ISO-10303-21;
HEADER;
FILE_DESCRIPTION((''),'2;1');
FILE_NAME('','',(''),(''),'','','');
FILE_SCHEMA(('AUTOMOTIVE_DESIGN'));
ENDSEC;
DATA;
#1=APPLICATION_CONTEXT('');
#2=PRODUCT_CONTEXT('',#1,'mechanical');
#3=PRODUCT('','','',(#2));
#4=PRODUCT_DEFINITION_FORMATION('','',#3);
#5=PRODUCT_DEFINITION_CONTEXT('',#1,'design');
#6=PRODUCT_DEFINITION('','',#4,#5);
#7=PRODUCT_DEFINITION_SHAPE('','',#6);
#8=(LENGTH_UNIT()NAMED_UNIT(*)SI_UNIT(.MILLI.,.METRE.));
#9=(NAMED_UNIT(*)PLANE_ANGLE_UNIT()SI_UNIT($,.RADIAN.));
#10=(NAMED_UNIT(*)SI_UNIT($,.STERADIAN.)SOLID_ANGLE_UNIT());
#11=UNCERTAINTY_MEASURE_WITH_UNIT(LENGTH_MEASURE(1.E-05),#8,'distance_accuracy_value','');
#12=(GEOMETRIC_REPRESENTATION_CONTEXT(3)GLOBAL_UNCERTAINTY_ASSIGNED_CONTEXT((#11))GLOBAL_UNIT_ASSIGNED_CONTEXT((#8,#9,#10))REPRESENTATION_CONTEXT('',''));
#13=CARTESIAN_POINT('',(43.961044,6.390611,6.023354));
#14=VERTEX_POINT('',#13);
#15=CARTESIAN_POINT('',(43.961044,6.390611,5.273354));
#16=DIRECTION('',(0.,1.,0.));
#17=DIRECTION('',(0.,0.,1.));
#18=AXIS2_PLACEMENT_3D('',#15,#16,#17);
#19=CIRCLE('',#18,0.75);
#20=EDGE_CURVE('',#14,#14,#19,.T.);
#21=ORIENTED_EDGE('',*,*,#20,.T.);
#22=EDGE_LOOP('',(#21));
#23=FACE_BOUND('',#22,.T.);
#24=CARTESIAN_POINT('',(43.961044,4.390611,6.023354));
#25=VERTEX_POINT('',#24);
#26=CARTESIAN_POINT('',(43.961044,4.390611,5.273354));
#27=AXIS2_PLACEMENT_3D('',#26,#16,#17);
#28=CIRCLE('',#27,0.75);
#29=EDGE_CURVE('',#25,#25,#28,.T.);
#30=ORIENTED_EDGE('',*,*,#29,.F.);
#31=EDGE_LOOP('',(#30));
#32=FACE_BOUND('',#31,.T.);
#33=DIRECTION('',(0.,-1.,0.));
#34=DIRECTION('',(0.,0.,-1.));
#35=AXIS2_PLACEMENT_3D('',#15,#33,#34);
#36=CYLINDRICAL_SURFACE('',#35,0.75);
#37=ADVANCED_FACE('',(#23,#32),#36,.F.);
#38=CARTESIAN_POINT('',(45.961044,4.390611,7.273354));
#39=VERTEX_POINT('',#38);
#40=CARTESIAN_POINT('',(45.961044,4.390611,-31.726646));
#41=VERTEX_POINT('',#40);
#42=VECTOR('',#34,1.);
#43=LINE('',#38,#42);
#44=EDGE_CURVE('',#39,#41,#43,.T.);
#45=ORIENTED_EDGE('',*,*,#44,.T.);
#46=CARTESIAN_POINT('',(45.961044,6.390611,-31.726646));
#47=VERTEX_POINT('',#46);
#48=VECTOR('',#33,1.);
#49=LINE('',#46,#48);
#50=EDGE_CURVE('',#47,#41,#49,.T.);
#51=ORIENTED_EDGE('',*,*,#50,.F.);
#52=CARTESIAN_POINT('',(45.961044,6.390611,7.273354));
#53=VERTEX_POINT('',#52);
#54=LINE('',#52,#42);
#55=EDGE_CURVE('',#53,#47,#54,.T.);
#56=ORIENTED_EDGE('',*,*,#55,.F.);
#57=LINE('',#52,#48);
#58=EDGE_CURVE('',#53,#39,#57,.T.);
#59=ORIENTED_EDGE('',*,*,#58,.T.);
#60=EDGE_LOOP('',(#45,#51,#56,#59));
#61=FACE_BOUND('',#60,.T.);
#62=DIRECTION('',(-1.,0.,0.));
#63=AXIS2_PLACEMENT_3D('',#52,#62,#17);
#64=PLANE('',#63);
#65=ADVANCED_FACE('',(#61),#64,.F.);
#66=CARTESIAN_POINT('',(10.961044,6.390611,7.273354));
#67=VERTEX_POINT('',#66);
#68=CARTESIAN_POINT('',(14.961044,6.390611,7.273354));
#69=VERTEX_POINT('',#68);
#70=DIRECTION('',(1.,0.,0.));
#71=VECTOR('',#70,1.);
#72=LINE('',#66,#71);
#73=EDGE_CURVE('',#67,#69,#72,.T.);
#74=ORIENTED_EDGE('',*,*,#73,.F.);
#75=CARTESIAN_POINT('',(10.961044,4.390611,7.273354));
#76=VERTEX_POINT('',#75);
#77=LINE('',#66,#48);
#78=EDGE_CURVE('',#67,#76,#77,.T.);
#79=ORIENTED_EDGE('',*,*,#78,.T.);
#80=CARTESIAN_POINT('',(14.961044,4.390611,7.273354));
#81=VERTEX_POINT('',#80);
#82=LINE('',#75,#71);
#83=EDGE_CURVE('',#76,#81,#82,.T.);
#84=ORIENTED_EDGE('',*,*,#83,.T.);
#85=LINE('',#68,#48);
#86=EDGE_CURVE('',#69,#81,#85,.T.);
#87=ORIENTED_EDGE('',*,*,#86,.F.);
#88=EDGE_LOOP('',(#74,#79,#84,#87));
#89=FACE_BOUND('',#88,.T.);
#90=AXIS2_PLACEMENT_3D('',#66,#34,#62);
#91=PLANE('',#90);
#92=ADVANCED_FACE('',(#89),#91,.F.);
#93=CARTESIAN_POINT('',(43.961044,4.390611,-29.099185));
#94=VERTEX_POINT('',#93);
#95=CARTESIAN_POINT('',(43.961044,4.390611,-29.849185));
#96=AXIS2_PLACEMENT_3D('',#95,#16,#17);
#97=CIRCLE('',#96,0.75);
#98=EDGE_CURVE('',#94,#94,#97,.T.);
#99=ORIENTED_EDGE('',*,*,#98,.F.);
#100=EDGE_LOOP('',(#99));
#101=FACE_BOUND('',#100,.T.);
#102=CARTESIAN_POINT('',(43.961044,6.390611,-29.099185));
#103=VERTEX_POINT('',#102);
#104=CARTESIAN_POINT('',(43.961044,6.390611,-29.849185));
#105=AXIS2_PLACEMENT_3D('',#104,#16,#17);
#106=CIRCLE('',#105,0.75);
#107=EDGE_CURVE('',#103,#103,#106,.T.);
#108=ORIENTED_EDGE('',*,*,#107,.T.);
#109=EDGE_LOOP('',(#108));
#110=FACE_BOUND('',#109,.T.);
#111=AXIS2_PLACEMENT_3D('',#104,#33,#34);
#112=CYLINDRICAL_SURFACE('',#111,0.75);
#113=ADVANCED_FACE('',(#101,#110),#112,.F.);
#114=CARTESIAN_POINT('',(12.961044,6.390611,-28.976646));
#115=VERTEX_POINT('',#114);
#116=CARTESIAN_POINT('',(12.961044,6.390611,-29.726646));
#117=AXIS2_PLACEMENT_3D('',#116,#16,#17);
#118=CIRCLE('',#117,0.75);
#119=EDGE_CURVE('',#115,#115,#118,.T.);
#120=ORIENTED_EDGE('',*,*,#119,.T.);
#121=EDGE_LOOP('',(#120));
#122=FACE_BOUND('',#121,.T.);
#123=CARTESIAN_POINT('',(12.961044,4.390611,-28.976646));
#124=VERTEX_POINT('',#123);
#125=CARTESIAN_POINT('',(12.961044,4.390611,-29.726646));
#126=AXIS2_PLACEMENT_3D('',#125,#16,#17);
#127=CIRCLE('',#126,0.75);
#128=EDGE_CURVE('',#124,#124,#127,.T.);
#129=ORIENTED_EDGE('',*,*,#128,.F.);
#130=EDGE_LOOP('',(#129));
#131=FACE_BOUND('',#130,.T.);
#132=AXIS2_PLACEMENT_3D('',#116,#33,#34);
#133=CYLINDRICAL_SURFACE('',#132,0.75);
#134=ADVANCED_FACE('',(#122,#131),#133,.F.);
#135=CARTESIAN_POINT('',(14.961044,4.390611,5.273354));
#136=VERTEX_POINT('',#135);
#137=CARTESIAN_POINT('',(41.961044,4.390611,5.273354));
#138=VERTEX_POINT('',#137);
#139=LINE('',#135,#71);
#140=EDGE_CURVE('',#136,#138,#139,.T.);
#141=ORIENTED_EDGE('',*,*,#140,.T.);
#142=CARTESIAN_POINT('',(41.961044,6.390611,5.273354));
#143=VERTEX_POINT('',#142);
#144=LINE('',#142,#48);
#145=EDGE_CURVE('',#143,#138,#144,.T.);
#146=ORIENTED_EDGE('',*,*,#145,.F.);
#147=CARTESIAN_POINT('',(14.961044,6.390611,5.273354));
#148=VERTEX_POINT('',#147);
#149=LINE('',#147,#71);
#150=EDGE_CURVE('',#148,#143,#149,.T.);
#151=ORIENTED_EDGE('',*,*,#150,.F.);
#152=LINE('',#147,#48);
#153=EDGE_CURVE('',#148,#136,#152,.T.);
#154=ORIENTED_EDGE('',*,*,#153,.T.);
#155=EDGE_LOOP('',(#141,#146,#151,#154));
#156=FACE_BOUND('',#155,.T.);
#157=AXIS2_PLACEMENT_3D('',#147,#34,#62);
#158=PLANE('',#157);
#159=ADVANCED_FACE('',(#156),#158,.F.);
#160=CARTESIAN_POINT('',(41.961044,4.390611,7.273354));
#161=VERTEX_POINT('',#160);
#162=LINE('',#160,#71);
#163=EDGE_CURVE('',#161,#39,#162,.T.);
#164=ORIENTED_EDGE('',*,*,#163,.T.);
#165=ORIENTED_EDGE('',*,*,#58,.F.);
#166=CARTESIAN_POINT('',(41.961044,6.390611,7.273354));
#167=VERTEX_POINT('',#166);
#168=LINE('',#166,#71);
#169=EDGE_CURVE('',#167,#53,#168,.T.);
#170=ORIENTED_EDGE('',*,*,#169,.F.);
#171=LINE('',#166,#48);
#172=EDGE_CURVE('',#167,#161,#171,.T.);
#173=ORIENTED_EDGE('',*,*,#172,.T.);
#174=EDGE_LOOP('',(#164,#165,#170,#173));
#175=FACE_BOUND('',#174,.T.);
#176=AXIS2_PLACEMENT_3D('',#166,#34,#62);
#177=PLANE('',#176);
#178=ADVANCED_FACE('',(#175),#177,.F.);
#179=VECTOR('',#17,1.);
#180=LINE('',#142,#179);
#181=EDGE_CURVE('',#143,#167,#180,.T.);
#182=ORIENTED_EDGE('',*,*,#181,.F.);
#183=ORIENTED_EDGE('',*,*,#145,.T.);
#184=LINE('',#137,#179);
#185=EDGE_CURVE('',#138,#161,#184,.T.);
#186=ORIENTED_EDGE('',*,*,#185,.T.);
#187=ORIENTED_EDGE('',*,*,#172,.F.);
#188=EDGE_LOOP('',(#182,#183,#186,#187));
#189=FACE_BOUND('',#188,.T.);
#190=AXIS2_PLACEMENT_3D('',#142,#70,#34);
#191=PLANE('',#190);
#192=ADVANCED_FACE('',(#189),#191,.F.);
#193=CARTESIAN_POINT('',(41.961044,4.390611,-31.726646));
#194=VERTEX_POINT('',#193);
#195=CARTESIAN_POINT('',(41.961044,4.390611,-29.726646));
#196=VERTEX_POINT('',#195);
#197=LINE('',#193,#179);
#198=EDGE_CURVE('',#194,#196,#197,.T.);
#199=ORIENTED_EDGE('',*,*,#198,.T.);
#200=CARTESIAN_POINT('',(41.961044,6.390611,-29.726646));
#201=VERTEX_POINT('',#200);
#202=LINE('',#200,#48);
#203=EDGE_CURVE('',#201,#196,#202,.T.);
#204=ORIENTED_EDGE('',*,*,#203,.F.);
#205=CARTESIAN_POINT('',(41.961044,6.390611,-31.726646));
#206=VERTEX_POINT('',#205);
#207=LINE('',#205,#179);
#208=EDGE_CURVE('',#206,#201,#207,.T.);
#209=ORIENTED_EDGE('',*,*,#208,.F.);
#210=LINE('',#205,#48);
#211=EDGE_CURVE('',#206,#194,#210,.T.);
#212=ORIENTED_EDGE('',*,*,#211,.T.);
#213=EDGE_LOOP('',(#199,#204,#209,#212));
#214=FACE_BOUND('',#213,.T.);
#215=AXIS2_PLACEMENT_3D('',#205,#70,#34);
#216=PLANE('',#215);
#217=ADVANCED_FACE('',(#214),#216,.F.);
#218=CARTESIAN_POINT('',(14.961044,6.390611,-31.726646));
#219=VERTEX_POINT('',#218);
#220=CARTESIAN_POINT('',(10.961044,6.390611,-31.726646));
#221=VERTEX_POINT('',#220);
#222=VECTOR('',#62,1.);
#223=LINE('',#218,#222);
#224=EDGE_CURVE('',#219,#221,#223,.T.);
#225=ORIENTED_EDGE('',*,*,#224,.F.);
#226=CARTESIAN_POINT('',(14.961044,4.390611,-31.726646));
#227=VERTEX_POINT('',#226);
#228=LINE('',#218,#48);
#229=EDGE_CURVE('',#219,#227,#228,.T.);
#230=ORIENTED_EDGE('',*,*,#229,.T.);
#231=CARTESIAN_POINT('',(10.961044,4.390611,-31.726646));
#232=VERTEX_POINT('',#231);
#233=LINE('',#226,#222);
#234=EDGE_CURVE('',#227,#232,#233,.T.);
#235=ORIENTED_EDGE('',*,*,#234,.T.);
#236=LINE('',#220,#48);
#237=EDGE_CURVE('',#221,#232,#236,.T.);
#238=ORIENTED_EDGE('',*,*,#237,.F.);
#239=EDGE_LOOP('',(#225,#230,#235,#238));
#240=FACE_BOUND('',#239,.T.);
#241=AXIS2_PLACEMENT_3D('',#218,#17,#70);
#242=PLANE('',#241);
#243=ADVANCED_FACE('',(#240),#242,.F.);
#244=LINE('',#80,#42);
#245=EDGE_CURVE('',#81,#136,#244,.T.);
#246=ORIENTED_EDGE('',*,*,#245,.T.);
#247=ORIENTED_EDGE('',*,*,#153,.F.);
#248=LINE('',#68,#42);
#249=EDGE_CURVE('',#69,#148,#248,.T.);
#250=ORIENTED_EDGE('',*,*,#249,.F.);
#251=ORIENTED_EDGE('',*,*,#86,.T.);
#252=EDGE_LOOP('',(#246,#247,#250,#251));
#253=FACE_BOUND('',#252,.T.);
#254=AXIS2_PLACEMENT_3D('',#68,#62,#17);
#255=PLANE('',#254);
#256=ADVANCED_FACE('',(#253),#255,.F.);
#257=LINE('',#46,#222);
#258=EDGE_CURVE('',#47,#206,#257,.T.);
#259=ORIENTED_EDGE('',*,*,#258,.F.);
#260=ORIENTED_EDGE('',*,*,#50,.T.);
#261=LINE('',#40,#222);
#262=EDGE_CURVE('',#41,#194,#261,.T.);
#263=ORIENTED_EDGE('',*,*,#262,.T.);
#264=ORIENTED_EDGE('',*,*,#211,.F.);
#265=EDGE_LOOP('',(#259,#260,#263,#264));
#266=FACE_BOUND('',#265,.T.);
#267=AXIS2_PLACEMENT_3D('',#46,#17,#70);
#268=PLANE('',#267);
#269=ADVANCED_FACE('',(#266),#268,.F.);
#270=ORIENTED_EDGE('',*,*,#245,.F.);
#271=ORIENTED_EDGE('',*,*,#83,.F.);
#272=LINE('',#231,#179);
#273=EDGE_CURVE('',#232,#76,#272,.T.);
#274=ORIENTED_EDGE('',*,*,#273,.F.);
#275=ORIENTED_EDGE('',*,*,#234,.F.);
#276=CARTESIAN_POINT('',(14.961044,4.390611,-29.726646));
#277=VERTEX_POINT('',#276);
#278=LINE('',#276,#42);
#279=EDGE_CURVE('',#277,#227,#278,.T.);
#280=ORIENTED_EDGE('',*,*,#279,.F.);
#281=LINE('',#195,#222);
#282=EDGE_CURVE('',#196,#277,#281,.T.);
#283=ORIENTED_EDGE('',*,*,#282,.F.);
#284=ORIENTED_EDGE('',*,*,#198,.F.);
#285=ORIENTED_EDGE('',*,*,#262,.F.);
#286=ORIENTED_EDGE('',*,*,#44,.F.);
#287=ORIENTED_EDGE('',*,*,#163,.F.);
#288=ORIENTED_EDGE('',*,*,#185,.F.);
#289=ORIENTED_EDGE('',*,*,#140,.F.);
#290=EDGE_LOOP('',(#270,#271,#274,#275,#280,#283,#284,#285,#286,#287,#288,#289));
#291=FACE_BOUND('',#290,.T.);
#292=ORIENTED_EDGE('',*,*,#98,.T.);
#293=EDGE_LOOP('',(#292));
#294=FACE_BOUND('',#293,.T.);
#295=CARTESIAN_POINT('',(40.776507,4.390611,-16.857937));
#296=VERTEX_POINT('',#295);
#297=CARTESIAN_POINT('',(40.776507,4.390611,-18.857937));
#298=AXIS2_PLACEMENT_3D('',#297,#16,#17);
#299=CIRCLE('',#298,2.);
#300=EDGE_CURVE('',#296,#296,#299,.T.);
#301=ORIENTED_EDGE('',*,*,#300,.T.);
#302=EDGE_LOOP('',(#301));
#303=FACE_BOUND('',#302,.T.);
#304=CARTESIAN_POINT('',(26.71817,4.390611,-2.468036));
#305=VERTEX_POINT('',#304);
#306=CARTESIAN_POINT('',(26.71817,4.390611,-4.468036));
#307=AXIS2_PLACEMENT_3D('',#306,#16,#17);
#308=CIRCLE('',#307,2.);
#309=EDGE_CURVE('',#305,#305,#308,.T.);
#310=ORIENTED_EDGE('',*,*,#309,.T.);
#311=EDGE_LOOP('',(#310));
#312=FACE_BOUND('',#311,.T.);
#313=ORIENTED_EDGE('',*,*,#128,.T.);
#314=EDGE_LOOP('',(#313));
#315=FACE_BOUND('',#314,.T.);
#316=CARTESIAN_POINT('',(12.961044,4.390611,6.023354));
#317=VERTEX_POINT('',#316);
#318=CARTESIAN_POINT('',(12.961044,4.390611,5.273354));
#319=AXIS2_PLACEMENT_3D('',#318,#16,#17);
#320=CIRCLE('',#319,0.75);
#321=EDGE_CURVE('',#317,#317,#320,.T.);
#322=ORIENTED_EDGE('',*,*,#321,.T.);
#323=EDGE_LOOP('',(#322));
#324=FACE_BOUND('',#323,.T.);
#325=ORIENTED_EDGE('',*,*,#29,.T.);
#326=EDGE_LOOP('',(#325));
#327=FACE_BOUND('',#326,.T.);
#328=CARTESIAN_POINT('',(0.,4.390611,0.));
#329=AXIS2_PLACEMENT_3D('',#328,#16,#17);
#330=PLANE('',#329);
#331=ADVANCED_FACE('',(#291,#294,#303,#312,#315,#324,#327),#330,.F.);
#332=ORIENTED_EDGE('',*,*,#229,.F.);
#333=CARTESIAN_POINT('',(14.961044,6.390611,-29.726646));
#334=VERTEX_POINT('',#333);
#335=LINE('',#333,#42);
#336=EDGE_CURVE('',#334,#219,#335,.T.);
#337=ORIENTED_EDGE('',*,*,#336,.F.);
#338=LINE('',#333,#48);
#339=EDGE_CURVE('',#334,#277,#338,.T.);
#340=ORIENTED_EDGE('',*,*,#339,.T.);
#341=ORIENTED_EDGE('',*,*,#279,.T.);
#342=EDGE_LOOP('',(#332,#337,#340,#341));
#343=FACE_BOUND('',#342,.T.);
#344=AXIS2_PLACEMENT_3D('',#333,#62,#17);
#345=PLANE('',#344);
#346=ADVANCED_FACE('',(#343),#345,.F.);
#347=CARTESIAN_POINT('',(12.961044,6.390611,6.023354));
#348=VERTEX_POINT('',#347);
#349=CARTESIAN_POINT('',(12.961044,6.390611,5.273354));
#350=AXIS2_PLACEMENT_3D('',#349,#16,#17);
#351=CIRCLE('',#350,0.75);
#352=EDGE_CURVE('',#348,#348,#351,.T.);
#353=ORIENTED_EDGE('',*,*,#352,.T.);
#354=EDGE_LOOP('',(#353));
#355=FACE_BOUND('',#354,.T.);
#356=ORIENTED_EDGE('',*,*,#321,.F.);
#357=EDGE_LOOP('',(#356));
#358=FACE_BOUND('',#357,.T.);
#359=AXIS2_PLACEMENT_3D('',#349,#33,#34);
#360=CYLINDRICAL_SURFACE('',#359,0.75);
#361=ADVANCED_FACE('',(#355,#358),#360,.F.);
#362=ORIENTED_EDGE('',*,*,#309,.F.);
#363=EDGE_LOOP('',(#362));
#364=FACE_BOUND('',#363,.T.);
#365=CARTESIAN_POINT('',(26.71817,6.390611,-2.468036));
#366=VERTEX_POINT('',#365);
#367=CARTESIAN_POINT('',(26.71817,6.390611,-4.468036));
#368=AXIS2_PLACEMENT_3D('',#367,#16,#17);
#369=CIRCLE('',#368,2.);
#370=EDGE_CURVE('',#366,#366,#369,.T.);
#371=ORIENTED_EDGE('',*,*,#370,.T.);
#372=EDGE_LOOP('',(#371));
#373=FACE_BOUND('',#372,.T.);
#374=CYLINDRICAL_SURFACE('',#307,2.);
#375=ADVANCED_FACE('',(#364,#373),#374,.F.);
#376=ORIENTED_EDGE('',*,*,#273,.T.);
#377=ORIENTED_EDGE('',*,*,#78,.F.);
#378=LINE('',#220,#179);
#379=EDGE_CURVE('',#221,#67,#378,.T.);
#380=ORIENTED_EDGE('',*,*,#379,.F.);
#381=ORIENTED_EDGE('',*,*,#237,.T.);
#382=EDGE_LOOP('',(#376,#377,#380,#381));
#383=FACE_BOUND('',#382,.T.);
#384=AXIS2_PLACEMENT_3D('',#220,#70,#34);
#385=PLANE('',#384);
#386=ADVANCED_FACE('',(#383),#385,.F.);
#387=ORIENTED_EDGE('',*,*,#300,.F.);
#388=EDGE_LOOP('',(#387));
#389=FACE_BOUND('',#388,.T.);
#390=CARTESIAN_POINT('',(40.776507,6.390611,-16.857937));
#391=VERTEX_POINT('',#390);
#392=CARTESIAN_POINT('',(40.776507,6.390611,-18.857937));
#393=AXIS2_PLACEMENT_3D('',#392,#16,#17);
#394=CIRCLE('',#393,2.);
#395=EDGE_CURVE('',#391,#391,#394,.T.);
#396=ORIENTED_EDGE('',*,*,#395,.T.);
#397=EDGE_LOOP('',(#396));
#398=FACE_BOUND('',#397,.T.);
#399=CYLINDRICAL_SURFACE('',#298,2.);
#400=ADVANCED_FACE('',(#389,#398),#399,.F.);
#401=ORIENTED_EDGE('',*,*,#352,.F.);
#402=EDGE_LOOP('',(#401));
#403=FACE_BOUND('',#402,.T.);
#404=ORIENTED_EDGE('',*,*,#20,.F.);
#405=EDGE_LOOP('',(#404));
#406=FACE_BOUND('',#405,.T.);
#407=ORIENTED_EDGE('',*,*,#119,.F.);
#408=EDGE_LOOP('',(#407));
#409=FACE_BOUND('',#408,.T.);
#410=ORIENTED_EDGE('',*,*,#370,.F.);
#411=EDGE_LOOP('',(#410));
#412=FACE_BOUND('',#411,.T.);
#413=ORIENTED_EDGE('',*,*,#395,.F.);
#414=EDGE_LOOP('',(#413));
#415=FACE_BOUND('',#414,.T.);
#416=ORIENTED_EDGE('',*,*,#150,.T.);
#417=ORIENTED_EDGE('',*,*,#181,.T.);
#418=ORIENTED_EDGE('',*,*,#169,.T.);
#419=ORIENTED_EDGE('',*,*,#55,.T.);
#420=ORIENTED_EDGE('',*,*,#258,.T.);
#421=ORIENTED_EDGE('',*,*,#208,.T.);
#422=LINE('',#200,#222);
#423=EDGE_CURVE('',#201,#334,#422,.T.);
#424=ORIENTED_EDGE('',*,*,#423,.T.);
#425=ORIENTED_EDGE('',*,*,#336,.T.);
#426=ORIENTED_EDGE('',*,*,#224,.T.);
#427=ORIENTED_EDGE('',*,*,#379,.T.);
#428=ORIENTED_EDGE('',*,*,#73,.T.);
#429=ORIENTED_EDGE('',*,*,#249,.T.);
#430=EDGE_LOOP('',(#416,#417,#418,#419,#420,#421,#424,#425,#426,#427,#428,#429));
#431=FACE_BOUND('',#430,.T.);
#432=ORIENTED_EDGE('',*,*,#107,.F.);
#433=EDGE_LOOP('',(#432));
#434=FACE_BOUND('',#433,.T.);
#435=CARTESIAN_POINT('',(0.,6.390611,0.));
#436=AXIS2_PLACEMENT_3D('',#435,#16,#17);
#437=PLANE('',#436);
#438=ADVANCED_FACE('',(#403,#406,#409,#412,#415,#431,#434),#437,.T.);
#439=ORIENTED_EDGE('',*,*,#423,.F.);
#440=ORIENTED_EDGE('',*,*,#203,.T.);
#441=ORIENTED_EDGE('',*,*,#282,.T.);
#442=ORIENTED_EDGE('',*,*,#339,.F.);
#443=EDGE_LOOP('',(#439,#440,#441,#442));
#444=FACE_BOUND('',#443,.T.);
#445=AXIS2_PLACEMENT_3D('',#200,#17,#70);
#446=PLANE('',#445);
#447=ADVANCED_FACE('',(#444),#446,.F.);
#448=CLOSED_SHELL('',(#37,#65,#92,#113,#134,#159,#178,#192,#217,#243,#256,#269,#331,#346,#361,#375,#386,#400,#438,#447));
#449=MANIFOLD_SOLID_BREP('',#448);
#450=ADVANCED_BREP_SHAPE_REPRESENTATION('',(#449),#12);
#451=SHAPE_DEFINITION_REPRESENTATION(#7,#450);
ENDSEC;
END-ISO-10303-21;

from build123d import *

# Parameters (mm, degrees)
SKETCH1_R           = 0.75
BOSS_EXTRUDE1_DEPTH = 2
SKETCH2_R           = 2
CUT_EXTRUDE1_DEPTH  = 2


with BuildPart() as part:
    # Sketch1 → Boss-Extrude1 (new body)
    with BuildSketch(Plane(origin=(0, 4.390610578, 0), x_dir=(1, 0, 0), z_dir=(0, 1, 0))):
        Polygon((10.961043754, 31.726646364), (10.961043754, -7.273353636), (14.961043754, -7.273353636), (14.961043754, -5.273353636), (41.961043754, -5.273353636), (41.961043754, -7.273353636), (45.961043754, -7.273353636), (45.961043754, 31.726646364), (41.961043754, 31.726646364), (41.961043754, 29.726646364), (14.961043754, 29.726646364), (14.961043754, 31.726646364), align=None)
        with Locations(Location((12.961043754, -5.273353636, 0), (0, 0, 270))):
            Circle(SKETCH1_R, mode=Mode.SUBTRACT)
        with Locations(Location((43.961043754, -5.273353636, 0), (0, 0, 270))):
            Circle(SKETCH1_R, mode=Mode.SUBTRACT)
        with Locations(Location((43.961043754, 29.849185289, 0), (0, 0, 270))):
            Circle(SKETCH1_R, mode=Mode.SUBTRACT)
        with Locations(Location((12.961043754, 29.726646364, 0), (0, 0, 270))):
            Circle(SKETCH1_R, mode=Mode.SUBTRACT)
    extrude(amount=BOSS_EXTRUDE1_DEPTH)

    # Sketch2 → Cut-Extrude1 (cut)
    with BuildSketch(Plane(origin=(0, 6.390610578, 0), x_dir=(1, 0, 0), z_dir=(0, 1, 0))):
        with Locations(Location((26.718170314, 4.468036121, 0), (0, 0, 270))):
            Circle(SKETCH2_R)
        with Locations(Location((40.776506823, 18.857937171, 0), (0, 0, 270))):
            Circle(SKETCH2_R)
    extrude(amount=-CUT_EXTRUDE1_DEPTH, mode=Mode.SUBTRACT)


solid = part.part
